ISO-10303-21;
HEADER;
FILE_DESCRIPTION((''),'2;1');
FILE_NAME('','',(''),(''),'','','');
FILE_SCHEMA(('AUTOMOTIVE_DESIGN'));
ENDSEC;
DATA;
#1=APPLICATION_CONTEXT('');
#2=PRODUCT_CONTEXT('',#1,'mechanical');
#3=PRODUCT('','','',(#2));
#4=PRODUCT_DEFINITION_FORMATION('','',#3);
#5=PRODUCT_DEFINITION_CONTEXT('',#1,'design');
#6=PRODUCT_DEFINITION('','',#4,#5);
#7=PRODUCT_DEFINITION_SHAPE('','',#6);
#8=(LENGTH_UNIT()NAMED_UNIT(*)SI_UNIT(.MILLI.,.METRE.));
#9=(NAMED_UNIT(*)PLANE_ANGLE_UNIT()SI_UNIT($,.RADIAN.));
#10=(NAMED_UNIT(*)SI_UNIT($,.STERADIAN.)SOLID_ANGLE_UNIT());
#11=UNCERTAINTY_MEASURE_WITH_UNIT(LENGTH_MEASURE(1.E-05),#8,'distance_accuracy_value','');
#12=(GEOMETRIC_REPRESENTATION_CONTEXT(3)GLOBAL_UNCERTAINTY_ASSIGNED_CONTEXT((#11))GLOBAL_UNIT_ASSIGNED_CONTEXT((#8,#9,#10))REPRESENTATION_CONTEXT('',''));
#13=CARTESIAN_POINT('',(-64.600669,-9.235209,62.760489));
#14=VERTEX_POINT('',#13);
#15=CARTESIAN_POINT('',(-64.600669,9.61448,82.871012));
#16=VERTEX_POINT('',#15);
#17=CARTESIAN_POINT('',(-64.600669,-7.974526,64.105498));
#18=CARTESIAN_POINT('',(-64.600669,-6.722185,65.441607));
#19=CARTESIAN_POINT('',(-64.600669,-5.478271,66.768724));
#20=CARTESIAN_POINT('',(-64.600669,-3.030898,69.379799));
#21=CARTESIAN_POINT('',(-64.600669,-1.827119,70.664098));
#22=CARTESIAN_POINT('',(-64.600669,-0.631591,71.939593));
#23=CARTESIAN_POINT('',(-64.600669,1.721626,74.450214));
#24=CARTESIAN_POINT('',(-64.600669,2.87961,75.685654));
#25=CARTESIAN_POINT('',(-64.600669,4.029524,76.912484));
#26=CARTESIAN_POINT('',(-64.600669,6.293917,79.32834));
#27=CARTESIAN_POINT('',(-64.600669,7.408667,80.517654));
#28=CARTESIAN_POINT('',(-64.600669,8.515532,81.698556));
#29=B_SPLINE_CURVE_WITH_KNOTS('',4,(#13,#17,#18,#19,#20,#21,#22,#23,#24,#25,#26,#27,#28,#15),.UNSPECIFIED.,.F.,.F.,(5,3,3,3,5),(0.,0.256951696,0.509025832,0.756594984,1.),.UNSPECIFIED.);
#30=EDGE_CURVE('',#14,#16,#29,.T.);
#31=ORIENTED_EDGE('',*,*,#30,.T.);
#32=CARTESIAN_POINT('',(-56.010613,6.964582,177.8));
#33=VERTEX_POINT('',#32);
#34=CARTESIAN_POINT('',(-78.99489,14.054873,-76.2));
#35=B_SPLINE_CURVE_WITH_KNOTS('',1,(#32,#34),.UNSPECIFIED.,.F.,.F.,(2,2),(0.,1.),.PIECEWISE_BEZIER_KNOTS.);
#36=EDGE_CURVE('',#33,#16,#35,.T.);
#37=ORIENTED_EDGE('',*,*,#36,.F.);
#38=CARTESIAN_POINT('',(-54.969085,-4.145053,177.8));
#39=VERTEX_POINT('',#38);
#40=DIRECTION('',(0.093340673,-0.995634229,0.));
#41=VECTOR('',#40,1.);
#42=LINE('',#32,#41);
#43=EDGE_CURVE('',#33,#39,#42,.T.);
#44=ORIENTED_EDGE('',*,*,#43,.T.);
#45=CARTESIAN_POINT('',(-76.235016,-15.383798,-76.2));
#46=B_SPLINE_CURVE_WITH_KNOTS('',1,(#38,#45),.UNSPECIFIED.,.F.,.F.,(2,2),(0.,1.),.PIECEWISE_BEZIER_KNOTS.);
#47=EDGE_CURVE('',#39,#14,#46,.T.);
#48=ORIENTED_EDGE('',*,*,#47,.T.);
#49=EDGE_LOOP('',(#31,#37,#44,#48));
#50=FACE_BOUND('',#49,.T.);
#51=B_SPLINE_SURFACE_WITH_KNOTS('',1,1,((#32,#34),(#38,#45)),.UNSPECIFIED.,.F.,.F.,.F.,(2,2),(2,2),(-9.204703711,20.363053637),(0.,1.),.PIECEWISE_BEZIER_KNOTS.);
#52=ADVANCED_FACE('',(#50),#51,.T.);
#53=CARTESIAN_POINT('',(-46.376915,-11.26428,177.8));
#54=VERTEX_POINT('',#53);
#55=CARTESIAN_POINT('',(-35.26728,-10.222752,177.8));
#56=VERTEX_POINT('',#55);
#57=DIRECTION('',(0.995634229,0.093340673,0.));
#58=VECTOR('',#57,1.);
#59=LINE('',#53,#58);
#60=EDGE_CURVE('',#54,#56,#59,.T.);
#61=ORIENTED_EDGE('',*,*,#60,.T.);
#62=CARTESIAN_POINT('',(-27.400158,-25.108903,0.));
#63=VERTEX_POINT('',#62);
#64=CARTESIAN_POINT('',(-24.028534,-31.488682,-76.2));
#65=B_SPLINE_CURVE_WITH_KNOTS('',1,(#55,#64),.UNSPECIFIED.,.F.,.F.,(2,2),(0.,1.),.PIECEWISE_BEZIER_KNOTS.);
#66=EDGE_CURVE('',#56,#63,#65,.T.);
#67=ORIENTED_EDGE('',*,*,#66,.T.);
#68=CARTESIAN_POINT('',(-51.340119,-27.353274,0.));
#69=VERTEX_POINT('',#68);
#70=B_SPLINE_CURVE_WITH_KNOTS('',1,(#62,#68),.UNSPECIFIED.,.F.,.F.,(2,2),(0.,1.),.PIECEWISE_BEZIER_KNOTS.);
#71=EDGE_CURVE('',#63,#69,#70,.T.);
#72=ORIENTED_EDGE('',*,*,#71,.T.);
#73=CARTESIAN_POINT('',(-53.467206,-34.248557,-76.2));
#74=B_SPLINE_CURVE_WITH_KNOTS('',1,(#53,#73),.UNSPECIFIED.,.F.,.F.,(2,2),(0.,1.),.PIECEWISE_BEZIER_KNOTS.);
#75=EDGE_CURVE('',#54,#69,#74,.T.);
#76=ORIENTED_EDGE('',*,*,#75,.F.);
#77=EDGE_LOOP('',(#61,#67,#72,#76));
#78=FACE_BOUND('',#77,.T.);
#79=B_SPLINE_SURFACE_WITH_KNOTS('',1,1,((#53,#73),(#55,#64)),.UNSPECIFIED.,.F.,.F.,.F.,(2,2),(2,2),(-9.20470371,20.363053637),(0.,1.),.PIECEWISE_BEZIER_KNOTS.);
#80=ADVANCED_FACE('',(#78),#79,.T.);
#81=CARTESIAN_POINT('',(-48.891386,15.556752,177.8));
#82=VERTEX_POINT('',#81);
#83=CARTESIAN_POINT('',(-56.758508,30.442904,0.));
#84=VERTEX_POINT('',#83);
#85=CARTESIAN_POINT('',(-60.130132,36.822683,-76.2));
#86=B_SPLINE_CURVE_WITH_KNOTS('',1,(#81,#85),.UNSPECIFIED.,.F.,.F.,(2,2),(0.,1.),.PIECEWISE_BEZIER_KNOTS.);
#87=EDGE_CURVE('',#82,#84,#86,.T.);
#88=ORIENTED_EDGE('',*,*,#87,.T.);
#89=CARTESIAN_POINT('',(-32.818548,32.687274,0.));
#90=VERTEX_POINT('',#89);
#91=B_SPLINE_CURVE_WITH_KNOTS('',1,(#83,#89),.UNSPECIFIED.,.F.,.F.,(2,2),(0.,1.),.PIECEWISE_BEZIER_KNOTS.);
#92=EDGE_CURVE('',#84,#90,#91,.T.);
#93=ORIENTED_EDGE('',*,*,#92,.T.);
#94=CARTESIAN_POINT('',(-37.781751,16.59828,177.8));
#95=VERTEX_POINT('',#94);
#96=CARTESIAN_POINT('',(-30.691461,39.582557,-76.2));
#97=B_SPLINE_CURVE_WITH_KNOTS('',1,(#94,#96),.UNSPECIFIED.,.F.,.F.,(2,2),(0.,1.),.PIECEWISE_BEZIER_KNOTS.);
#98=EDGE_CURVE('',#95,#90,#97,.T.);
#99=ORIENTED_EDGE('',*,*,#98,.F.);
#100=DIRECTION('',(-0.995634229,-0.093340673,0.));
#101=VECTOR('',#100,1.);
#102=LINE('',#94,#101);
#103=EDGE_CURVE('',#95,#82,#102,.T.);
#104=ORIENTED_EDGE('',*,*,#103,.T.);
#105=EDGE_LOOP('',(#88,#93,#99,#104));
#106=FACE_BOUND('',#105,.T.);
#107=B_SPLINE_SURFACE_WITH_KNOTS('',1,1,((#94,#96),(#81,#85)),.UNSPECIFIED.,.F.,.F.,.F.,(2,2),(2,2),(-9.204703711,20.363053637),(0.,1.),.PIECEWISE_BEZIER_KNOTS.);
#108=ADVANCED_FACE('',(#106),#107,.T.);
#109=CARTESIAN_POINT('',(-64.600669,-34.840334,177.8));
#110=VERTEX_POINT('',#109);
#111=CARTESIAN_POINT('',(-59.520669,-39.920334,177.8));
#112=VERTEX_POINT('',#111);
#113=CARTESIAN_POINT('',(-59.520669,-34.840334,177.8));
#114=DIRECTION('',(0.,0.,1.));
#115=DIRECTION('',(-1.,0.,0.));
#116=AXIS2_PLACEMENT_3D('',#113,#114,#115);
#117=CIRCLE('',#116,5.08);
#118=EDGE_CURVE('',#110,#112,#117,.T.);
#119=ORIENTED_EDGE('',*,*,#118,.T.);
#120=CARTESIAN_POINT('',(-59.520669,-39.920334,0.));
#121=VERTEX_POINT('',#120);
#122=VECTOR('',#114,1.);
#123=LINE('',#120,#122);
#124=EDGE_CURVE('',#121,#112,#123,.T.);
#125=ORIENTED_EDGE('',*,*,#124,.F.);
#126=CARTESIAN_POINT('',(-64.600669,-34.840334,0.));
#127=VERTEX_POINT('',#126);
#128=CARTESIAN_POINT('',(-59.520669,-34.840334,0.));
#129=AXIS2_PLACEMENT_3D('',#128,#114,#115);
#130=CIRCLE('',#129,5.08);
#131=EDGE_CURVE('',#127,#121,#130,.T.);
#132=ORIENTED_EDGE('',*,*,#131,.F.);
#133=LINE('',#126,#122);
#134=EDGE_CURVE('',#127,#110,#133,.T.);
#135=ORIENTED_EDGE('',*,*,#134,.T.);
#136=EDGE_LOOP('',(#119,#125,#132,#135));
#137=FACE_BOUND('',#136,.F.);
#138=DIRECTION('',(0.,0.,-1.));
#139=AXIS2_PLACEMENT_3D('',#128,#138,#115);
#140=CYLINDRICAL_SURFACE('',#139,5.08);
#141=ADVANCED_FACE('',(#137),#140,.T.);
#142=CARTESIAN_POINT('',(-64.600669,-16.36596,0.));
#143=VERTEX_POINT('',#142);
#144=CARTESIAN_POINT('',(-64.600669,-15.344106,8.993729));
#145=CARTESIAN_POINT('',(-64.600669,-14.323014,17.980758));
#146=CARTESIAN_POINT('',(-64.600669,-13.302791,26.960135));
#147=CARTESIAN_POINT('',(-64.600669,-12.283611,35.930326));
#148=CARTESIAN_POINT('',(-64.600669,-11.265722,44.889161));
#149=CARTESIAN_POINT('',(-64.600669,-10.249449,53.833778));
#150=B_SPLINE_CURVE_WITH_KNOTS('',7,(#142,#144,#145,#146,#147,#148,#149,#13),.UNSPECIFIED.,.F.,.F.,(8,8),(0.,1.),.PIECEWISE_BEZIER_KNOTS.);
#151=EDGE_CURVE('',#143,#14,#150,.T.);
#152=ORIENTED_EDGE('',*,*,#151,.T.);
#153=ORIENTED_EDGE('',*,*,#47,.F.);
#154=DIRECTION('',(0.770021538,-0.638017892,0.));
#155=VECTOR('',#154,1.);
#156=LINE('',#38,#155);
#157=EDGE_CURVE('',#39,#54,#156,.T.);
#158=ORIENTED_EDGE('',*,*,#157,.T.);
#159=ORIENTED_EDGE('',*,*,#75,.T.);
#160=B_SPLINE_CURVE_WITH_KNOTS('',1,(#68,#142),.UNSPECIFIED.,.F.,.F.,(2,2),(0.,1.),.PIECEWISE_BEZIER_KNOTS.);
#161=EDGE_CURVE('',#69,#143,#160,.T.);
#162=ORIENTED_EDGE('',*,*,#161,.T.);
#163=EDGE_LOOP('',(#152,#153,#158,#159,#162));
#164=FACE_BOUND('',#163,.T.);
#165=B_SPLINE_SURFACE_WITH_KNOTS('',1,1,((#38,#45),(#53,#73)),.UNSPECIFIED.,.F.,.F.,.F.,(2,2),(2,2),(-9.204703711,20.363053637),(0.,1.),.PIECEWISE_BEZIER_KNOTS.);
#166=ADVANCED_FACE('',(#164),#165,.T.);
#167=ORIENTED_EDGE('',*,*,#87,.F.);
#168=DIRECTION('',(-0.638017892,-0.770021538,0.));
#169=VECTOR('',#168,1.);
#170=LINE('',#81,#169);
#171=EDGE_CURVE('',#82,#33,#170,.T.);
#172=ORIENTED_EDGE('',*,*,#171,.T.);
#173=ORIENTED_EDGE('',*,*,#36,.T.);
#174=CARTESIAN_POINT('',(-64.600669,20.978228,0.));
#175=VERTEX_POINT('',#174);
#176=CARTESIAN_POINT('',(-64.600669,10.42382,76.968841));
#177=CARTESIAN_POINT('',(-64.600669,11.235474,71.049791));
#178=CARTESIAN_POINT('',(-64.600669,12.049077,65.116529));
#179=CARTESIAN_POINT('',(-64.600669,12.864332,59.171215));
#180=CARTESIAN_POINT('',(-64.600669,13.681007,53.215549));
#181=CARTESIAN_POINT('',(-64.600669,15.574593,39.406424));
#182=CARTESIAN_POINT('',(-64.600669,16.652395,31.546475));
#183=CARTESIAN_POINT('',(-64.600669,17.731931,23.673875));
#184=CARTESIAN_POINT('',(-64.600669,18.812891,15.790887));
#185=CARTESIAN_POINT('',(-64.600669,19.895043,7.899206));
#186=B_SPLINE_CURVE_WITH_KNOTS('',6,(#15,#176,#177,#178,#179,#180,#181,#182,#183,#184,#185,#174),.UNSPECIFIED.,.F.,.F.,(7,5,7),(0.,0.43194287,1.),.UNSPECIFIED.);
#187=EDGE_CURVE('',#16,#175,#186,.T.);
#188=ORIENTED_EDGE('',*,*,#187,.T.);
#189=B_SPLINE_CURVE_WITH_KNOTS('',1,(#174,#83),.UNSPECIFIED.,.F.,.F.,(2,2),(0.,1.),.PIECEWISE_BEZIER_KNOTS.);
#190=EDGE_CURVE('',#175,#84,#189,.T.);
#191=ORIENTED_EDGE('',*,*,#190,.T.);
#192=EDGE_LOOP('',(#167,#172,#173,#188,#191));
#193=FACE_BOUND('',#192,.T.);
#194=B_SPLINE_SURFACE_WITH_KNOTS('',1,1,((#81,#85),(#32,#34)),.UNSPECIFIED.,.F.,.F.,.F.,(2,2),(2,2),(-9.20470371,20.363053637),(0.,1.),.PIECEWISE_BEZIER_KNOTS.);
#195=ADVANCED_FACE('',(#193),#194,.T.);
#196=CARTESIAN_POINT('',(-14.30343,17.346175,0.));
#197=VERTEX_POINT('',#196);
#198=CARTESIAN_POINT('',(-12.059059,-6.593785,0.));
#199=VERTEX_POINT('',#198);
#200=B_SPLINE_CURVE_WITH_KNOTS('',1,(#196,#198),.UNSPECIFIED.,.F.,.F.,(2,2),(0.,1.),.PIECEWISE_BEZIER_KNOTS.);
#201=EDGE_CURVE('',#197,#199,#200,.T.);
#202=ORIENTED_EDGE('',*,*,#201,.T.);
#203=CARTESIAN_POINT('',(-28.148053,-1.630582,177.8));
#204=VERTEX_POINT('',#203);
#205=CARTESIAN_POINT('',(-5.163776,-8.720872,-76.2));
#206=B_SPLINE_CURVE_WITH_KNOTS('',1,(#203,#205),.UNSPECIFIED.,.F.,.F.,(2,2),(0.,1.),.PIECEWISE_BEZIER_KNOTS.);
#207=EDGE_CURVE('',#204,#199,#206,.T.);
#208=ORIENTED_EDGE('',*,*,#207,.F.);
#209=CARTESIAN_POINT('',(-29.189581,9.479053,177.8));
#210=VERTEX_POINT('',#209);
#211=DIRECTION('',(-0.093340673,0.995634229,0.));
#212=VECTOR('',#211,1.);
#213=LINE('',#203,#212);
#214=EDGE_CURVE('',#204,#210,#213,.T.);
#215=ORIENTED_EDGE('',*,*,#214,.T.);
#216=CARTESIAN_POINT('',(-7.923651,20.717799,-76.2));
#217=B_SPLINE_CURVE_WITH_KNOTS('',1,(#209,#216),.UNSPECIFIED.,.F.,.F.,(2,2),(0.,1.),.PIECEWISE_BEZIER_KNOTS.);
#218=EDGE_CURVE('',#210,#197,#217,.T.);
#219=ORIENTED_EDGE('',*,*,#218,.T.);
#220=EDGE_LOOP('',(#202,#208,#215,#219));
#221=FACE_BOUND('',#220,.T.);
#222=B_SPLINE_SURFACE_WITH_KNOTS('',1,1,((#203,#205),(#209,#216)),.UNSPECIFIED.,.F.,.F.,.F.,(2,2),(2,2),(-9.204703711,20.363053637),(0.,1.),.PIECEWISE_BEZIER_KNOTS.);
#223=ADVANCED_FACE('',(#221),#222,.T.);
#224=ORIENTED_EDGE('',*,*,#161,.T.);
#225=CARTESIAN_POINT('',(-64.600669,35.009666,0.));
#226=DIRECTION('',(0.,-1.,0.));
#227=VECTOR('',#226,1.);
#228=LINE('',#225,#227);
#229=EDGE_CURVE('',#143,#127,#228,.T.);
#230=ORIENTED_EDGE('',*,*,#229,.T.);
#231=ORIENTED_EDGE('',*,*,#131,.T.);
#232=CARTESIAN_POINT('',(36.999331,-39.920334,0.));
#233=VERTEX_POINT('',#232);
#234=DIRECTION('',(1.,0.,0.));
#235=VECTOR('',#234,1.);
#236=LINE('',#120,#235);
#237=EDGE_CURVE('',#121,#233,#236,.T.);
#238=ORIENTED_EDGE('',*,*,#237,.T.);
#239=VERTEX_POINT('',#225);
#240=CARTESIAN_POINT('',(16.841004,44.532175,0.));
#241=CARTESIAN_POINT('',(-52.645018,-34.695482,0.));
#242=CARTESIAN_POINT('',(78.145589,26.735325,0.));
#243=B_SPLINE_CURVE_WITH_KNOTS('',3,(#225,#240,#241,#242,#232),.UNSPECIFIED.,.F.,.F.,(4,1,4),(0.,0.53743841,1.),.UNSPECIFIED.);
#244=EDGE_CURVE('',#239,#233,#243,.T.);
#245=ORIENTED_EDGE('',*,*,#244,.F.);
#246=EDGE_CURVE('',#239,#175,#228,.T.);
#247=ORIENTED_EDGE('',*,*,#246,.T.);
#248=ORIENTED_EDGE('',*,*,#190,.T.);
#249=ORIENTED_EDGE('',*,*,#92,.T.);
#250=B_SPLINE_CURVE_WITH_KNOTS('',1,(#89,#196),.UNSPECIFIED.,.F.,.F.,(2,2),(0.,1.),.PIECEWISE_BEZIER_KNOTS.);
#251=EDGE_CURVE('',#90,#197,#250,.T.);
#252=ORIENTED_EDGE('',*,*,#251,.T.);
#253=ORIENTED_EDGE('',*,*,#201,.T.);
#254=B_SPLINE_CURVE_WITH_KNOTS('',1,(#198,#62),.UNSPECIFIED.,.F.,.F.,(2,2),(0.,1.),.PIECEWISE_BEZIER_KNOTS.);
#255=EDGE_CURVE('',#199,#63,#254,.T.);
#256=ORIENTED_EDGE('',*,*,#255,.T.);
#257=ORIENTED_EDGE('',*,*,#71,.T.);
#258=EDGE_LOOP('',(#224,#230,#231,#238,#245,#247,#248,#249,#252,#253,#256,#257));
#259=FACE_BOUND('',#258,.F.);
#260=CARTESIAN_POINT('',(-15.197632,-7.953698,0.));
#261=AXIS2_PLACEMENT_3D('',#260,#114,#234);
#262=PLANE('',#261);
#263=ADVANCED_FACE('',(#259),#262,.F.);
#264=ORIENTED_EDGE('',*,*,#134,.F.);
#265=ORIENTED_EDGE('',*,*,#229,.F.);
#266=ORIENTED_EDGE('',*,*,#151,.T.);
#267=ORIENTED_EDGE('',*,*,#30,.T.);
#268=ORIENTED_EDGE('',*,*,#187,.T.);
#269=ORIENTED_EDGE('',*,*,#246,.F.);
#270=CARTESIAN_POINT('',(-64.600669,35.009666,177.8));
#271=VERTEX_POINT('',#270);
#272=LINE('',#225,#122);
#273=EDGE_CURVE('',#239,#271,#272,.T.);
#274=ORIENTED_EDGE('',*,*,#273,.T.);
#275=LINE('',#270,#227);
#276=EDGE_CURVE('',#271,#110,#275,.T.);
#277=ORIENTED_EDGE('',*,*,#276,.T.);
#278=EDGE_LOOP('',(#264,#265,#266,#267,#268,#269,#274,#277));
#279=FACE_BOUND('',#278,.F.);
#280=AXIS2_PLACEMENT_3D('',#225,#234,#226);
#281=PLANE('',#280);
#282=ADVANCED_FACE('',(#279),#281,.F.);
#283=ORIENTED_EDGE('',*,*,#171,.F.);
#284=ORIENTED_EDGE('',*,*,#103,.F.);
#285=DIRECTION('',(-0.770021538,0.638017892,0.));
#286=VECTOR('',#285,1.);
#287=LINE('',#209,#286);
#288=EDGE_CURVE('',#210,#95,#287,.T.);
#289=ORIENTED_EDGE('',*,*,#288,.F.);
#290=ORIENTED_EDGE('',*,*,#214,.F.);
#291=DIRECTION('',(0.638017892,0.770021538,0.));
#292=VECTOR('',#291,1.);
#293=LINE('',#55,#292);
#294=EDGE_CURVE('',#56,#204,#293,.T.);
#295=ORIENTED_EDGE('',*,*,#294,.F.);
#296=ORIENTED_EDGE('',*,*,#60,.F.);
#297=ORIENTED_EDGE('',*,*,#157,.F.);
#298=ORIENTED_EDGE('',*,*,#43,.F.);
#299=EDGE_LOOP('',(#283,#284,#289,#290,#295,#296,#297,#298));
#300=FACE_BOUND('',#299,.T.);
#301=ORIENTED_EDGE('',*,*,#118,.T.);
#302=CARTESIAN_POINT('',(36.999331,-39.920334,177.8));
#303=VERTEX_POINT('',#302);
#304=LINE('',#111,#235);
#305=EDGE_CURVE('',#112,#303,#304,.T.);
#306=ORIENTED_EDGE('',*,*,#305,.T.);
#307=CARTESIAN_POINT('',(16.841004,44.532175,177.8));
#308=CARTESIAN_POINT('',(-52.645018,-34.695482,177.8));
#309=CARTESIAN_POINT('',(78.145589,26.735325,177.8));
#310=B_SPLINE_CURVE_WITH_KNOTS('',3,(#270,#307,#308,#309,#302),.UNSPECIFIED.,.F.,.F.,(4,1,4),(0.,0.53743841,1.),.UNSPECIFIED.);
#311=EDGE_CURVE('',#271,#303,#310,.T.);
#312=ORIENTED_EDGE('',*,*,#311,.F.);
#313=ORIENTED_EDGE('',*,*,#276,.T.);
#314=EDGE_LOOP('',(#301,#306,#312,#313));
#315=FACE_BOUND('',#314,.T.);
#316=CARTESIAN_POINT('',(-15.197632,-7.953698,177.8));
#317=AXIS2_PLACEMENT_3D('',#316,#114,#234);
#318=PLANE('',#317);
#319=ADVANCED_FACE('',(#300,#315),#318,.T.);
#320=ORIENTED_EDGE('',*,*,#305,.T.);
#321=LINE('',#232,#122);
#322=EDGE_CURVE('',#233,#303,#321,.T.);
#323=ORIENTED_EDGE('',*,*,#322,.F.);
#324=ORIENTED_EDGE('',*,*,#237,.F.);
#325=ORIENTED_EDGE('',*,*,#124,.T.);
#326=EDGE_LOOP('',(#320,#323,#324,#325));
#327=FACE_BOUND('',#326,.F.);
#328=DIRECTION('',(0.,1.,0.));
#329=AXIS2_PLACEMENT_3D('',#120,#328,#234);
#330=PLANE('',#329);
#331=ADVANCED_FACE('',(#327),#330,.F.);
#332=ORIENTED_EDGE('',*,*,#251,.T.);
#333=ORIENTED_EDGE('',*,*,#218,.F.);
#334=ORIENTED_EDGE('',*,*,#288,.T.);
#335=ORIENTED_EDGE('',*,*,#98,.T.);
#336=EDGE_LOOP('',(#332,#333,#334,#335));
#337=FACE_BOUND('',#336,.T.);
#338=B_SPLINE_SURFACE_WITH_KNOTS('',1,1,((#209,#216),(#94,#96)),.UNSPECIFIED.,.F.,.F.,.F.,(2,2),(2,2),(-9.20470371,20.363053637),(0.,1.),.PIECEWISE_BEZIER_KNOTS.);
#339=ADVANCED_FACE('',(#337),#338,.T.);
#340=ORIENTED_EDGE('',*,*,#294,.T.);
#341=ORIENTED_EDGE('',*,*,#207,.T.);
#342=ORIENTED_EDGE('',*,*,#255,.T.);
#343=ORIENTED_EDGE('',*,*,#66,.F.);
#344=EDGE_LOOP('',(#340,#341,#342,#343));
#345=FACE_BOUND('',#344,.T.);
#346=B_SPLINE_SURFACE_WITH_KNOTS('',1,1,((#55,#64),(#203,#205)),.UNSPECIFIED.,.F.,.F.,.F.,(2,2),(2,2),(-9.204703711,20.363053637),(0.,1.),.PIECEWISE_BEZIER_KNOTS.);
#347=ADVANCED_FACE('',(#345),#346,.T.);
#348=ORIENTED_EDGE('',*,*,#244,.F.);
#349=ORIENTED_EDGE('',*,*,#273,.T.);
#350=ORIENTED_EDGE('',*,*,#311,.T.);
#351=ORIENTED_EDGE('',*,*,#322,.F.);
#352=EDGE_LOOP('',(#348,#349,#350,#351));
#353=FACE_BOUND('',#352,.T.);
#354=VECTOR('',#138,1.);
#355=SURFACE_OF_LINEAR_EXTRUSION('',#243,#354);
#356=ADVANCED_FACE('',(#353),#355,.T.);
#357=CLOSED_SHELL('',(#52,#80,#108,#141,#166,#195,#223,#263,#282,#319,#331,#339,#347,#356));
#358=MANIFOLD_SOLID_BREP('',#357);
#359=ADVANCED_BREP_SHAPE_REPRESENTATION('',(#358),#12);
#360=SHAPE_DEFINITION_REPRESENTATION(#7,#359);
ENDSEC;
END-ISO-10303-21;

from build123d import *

# Parameters (mm, degrees)
F1_DEPTH = 177.8
F3_DEPTH = 254
F3_TAPER = -5


with BuildPart() as f1:
    # F0 (on Top) → F1 (new body)
    with BuildSketch(Plane.XY):
        with BuildLine():
            Line((-59.5206688476, -39.9203336644), (36.9993311524, -39.9203336644))
            add(Edge.make_bspline(
                [(-64.6006688476, 35.0096663356), (16.8410041872, 44.532174615), (-52.6450183467, -34.6954818824), (78.1455891266, 26.7353251057), (36.9993311524, -39.9203336644)],
                knots=[0, 0, 0, 0, 0.5374384102, 1, 1, 1, 1], degree=3))
            Line((-64.6006688476, 35.0096663356), (-64.6006688476, -34.8403336644))
            ThreePointArc((-64.6006688476, -34.8403336644), (-63.112771296, -38.4324361128), (-59.5206688476, -39.9203336644))
        make_face()
    extrude(amount=F1_DEPTH)

    # F2 (on face) → F3 (cut)
    with BuildSketch(Plane.XY.offset(177.8)):
        Polygon((-35.2672802635, -10.2227516693), (-28.1480533652, -1.6305818933), (-29.1895812623, 9.4790532369), (-37.7817510382, 16.5982801352), (-48.8913861684, 15.5567522381), (-56.0106130667, 6.9645824622), (-54.9690851696, -4.1450526681), (-46.3769153937, -11.2642795663), align=None)
    extrude(amount=-F3_DEPTH, taper=F3_TAPER, mode=Mode.SUBTRACT)


solid = f1.part
